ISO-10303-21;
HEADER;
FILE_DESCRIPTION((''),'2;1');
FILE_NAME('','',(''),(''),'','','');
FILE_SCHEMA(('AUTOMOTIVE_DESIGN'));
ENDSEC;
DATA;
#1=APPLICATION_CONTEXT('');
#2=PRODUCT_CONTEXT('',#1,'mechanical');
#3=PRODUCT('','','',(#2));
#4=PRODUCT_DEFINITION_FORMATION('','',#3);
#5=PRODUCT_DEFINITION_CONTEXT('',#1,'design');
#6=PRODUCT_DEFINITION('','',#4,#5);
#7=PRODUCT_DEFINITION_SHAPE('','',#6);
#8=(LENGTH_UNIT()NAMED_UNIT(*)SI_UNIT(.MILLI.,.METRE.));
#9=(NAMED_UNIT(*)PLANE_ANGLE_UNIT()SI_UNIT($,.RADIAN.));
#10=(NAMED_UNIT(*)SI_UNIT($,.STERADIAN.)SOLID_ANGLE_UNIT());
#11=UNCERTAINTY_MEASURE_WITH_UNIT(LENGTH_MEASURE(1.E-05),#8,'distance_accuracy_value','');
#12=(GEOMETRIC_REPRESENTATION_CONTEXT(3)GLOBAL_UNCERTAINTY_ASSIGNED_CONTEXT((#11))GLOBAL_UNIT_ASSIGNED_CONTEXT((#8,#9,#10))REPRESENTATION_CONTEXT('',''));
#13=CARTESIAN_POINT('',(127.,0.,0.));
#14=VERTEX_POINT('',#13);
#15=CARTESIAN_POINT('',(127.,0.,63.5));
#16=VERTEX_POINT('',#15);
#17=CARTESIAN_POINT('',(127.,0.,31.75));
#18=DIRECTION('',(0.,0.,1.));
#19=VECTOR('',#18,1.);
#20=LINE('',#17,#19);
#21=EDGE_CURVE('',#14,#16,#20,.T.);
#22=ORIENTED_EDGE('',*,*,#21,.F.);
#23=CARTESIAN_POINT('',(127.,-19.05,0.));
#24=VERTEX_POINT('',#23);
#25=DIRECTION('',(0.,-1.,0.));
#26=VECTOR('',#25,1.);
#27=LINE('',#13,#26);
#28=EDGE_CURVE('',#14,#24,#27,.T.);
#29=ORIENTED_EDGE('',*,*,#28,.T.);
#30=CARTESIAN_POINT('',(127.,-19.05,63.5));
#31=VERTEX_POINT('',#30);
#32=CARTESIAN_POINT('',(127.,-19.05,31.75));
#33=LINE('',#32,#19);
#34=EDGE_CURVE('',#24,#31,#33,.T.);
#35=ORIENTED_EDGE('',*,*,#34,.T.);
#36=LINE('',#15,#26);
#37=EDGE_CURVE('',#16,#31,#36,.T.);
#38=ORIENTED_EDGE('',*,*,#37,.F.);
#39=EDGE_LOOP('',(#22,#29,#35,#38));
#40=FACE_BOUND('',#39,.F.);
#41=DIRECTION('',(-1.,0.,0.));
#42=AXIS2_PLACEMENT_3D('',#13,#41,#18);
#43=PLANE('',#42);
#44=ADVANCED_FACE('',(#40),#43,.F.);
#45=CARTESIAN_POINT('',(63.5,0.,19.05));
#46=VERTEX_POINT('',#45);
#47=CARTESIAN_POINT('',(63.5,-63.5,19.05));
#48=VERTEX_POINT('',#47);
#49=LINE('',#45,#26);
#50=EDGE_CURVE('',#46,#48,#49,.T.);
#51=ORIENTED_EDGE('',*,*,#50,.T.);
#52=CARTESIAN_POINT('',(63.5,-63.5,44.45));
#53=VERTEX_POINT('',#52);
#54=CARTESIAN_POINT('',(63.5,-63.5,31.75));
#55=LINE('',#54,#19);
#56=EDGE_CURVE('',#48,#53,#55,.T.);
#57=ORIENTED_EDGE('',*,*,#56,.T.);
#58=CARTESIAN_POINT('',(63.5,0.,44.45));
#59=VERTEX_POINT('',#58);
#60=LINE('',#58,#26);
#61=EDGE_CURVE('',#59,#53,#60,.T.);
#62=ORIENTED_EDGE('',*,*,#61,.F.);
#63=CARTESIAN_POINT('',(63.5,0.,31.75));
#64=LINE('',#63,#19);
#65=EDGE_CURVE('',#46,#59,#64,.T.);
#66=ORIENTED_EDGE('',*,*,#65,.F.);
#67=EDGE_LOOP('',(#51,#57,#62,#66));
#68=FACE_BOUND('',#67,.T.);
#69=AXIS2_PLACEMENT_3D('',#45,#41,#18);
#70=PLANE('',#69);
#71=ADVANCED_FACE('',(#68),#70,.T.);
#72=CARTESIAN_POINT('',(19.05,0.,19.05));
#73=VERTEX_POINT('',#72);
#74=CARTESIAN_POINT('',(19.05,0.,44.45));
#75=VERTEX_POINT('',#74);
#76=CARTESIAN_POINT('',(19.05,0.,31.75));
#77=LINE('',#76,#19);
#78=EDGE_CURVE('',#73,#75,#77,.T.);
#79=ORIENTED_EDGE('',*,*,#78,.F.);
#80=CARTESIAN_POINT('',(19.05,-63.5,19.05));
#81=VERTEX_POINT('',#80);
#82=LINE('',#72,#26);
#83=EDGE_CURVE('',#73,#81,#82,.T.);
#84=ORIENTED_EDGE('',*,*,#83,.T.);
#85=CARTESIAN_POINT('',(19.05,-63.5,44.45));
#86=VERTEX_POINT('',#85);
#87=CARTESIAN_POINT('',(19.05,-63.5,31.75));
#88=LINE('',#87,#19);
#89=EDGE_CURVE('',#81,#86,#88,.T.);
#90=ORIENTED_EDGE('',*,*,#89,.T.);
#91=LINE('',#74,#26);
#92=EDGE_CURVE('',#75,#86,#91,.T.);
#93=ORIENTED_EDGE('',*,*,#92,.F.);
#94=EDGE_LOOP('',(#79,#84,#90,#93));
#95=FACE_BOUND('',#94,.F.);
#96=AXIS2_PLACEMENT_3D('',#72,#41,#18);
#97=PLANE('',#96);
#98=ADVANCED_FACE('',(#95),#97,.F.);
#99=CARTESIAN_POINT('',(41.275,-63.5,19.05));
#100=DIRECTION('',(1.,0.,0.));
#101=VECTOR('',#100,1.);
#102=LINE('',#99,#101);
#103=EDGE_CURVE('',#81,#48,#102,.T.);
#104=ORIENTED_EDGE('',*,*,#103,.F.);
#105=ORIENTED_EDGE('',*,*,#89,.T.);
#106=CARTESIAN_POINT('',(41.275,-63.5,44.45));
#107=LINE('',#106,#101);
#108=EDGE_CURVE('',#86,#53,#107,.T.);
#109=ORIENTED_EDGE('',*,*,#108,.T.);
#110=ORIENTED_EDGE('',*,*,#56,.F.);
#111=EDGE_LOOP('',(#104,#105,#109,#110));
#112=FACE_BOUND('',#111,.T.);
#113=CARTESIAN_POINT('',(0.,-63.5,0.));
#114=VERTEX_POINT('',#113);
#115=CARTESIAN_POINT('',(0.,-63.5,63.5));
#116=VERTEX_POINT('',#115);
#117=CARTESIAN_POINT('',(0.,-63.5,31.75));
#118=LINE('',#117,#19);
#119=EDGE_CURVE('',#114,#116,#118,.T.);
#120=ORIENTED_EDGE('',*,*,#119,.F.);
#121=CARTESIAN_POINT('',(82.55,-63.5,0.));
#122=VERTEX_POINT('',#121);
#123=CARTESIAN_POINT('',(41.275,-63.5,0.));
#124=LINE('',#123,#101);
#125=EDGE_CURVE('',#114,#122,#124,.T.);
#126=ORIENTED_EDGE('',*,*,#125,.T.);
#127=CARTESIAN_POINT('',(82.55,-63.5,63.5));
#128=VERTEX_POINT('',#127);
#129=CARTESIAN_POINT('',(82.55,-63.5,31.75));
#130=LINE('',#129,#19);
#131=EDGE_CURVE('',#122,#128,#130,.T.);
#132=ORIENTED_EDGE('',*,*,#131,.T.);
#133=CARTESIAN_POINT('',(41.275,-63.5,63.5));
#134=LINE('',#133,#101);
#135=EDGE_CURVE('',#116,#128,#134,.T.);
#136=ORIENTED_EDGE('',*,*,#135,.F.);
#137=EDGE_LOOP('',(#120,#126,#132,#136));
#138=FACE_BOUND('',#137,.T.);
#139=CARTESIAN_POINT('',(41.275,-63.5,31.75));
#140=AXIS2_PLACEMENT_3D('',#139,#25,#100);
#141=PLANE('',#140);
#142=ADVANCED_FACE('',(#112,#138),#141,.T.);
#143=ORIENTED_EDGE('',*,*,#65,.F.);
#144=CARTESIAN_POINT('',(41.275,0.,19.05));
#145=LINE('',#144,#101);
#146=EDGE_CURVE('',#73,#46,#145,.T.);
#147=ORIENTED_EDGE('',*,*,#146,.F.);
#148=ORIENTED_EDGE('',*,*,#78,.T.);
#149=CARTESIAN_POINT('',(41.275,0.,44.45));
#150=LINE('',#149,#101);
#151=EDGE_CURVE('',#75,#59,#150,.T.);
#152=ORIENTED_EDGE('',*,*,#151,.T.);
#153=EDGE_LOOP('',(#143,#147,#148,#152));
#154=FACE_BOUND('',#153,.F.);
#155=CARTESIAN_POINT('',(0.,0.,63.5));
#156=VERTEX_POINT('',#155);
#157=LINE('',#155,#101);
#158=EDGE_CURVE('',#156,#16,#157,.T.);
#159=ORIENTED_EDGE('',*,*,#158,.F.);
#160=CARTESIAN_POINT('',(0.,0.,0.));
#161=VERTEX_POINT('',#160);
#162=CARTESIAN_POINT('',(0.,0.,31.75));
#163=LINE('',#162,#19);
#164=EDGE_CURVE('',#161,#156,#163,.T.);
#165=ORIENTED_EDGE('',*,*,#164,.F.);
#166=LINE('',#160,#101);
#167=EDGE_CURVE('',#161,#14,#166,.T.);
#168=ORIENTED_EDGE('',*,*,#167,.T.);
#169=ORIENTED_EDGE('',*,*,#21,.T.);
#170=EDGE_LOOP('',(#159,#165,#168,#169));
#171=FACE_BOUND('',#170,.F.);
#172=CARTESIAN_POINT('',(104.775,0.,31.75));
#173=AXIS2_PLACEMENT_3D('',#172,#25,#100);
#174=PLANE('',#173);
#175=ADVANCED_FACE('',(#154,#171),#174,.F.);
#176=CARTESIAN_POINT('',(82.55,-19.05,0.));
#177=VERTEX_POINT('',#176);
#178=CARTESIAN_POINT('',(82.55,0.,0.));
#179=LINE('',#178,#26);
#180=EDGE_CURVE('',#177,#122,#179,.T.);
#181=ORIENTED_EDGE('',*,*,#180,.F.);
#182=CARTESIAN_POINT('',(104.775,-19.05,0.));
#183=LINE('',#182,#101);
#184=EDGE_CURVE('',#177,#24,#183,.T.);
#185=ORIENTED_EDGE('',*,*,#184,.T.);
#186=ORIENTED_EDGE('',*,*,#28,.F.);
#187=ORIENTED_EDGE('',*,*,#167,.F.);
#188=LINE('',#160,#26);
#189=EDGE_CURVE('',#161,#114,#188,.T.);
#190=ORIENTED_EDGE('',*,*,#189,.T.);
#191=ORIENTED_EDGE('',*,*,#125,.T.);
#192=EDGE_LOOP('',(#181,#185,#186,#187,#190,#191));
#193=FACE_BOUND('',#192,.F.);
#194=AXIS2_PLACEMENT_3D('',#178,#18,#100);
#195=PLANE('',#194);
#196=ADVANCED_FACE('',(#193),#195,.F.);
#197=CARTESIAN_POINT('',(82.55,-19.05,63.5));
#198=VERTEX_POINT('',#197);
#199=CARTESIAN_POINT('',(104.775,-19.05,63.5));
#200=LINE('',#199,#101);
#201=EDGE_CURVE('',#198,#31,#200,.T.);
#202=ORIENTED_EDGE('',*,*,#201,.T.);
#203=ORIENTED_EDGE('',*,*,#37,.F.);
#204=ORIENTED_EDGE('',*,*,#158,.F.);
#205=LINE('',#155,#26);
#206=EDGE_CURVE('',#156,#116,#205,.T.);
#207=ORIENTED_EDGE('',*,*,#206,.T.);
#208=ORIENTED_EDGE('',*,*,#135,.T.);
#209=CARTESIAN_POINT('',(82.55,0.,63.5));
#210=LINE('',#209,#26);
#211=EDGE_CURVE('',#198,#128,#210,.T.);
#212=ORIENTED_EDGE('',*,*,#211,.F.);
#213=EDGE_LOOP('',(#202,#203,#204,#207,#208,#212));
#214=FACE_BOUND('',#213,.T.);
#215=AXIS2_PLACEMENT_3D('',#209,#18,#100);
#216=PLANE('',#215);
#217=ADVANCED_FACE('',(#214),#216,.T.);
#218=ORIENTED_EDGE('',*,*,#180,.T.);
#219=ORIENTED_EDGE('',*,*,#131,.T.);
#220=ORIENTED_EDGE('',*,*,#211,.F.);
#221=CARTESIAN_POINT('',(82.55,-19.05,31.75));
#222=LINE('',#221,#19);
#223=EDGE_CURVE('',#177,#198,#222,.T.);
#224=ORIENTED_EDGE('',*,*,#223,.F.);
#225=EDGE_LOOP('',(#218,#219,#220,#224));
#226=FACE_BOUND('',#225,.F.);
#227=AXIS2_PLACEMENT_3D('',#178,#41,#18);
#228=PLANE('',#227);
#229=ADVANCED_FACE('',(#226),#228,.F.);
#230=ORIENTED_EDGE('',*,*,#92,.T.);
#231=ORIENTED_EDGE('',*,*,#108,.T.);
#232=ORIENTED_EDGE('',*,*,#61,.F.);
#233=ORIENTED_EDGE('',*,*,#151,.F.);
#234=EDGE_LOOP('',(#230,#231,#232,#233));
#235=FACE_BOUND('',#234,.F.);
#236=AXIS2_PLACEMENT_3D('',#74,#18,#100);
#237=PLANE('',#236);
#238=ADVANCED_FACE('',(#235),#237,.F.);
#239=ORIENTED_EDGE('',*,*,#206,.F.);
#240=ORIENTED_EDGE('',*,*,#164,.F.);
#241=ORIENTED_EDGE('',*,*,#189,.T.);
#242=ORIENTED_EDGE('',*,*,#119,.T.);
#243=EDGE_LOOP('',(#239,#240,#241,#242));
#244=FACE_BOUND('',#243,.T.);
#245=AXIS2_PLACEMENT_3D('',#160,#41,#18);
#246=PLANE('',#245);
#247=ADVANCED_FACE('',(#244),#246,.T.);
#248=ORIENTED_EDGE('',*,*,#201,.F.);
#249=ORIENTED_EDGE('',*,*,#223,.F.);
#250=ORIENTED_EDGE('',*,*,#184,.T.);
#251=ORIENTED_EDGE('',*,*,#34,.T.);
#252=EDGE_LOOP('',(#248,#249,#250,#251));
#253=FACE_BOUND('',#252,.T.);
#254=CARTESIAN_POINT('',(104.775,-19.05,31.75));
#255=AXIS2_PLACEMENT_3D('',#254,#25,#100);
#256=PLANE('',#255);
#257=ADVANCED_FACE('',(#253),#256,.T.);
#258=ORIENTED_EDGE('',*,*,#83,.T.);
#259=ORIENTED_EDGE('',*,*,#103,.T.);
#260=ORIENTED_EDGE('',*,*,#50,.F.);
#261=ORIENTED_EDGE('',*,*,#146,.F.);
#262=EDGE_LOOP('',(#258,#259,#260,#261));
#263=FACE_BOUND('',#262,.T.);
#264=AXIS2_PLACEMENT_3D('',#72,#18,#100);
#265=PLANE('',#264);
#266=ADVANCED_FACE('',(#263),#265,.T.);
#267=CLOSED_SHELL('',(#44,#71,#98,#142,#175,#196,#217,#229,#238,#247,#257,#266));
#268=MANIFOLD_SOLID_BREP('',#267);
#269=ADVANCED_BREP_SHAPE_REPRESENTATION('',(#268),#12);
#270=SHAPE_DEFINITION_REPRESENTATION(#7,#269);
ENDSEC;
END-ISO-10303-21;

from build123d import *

# Parameters (mm, degrees)
F0_W     = 82.55
F0_H     = 63.5
F0_W_2   = 44.45
F0_H_2   = 25.4
F1_DEPTH = 63.5
F2_DEPTH = 19.05


with BuildPart() as f1:
    # F0 (on Front) → F1 (new body)
    with BuildSketch(Plane.XZ):
        with Locations((41.275, 31.75)):
            Rectangle(F0_W, F0_H)
        with Locations((41.275, 31.75)):
            Rectangle(F0_W_2, F0_H_2, mode=Mode.SUBTRACT)
    extrude(amount=F1_DEPTH)

    # F0 (on Front) → F2 (join)
    with BuildSketch(Plane.XZ):
        with Locations((104.775, 31.75)):
            Rectangle(F0_W_2, F0_H)
    extrude(amount=F2_DEPTH)


solid = f1.part
